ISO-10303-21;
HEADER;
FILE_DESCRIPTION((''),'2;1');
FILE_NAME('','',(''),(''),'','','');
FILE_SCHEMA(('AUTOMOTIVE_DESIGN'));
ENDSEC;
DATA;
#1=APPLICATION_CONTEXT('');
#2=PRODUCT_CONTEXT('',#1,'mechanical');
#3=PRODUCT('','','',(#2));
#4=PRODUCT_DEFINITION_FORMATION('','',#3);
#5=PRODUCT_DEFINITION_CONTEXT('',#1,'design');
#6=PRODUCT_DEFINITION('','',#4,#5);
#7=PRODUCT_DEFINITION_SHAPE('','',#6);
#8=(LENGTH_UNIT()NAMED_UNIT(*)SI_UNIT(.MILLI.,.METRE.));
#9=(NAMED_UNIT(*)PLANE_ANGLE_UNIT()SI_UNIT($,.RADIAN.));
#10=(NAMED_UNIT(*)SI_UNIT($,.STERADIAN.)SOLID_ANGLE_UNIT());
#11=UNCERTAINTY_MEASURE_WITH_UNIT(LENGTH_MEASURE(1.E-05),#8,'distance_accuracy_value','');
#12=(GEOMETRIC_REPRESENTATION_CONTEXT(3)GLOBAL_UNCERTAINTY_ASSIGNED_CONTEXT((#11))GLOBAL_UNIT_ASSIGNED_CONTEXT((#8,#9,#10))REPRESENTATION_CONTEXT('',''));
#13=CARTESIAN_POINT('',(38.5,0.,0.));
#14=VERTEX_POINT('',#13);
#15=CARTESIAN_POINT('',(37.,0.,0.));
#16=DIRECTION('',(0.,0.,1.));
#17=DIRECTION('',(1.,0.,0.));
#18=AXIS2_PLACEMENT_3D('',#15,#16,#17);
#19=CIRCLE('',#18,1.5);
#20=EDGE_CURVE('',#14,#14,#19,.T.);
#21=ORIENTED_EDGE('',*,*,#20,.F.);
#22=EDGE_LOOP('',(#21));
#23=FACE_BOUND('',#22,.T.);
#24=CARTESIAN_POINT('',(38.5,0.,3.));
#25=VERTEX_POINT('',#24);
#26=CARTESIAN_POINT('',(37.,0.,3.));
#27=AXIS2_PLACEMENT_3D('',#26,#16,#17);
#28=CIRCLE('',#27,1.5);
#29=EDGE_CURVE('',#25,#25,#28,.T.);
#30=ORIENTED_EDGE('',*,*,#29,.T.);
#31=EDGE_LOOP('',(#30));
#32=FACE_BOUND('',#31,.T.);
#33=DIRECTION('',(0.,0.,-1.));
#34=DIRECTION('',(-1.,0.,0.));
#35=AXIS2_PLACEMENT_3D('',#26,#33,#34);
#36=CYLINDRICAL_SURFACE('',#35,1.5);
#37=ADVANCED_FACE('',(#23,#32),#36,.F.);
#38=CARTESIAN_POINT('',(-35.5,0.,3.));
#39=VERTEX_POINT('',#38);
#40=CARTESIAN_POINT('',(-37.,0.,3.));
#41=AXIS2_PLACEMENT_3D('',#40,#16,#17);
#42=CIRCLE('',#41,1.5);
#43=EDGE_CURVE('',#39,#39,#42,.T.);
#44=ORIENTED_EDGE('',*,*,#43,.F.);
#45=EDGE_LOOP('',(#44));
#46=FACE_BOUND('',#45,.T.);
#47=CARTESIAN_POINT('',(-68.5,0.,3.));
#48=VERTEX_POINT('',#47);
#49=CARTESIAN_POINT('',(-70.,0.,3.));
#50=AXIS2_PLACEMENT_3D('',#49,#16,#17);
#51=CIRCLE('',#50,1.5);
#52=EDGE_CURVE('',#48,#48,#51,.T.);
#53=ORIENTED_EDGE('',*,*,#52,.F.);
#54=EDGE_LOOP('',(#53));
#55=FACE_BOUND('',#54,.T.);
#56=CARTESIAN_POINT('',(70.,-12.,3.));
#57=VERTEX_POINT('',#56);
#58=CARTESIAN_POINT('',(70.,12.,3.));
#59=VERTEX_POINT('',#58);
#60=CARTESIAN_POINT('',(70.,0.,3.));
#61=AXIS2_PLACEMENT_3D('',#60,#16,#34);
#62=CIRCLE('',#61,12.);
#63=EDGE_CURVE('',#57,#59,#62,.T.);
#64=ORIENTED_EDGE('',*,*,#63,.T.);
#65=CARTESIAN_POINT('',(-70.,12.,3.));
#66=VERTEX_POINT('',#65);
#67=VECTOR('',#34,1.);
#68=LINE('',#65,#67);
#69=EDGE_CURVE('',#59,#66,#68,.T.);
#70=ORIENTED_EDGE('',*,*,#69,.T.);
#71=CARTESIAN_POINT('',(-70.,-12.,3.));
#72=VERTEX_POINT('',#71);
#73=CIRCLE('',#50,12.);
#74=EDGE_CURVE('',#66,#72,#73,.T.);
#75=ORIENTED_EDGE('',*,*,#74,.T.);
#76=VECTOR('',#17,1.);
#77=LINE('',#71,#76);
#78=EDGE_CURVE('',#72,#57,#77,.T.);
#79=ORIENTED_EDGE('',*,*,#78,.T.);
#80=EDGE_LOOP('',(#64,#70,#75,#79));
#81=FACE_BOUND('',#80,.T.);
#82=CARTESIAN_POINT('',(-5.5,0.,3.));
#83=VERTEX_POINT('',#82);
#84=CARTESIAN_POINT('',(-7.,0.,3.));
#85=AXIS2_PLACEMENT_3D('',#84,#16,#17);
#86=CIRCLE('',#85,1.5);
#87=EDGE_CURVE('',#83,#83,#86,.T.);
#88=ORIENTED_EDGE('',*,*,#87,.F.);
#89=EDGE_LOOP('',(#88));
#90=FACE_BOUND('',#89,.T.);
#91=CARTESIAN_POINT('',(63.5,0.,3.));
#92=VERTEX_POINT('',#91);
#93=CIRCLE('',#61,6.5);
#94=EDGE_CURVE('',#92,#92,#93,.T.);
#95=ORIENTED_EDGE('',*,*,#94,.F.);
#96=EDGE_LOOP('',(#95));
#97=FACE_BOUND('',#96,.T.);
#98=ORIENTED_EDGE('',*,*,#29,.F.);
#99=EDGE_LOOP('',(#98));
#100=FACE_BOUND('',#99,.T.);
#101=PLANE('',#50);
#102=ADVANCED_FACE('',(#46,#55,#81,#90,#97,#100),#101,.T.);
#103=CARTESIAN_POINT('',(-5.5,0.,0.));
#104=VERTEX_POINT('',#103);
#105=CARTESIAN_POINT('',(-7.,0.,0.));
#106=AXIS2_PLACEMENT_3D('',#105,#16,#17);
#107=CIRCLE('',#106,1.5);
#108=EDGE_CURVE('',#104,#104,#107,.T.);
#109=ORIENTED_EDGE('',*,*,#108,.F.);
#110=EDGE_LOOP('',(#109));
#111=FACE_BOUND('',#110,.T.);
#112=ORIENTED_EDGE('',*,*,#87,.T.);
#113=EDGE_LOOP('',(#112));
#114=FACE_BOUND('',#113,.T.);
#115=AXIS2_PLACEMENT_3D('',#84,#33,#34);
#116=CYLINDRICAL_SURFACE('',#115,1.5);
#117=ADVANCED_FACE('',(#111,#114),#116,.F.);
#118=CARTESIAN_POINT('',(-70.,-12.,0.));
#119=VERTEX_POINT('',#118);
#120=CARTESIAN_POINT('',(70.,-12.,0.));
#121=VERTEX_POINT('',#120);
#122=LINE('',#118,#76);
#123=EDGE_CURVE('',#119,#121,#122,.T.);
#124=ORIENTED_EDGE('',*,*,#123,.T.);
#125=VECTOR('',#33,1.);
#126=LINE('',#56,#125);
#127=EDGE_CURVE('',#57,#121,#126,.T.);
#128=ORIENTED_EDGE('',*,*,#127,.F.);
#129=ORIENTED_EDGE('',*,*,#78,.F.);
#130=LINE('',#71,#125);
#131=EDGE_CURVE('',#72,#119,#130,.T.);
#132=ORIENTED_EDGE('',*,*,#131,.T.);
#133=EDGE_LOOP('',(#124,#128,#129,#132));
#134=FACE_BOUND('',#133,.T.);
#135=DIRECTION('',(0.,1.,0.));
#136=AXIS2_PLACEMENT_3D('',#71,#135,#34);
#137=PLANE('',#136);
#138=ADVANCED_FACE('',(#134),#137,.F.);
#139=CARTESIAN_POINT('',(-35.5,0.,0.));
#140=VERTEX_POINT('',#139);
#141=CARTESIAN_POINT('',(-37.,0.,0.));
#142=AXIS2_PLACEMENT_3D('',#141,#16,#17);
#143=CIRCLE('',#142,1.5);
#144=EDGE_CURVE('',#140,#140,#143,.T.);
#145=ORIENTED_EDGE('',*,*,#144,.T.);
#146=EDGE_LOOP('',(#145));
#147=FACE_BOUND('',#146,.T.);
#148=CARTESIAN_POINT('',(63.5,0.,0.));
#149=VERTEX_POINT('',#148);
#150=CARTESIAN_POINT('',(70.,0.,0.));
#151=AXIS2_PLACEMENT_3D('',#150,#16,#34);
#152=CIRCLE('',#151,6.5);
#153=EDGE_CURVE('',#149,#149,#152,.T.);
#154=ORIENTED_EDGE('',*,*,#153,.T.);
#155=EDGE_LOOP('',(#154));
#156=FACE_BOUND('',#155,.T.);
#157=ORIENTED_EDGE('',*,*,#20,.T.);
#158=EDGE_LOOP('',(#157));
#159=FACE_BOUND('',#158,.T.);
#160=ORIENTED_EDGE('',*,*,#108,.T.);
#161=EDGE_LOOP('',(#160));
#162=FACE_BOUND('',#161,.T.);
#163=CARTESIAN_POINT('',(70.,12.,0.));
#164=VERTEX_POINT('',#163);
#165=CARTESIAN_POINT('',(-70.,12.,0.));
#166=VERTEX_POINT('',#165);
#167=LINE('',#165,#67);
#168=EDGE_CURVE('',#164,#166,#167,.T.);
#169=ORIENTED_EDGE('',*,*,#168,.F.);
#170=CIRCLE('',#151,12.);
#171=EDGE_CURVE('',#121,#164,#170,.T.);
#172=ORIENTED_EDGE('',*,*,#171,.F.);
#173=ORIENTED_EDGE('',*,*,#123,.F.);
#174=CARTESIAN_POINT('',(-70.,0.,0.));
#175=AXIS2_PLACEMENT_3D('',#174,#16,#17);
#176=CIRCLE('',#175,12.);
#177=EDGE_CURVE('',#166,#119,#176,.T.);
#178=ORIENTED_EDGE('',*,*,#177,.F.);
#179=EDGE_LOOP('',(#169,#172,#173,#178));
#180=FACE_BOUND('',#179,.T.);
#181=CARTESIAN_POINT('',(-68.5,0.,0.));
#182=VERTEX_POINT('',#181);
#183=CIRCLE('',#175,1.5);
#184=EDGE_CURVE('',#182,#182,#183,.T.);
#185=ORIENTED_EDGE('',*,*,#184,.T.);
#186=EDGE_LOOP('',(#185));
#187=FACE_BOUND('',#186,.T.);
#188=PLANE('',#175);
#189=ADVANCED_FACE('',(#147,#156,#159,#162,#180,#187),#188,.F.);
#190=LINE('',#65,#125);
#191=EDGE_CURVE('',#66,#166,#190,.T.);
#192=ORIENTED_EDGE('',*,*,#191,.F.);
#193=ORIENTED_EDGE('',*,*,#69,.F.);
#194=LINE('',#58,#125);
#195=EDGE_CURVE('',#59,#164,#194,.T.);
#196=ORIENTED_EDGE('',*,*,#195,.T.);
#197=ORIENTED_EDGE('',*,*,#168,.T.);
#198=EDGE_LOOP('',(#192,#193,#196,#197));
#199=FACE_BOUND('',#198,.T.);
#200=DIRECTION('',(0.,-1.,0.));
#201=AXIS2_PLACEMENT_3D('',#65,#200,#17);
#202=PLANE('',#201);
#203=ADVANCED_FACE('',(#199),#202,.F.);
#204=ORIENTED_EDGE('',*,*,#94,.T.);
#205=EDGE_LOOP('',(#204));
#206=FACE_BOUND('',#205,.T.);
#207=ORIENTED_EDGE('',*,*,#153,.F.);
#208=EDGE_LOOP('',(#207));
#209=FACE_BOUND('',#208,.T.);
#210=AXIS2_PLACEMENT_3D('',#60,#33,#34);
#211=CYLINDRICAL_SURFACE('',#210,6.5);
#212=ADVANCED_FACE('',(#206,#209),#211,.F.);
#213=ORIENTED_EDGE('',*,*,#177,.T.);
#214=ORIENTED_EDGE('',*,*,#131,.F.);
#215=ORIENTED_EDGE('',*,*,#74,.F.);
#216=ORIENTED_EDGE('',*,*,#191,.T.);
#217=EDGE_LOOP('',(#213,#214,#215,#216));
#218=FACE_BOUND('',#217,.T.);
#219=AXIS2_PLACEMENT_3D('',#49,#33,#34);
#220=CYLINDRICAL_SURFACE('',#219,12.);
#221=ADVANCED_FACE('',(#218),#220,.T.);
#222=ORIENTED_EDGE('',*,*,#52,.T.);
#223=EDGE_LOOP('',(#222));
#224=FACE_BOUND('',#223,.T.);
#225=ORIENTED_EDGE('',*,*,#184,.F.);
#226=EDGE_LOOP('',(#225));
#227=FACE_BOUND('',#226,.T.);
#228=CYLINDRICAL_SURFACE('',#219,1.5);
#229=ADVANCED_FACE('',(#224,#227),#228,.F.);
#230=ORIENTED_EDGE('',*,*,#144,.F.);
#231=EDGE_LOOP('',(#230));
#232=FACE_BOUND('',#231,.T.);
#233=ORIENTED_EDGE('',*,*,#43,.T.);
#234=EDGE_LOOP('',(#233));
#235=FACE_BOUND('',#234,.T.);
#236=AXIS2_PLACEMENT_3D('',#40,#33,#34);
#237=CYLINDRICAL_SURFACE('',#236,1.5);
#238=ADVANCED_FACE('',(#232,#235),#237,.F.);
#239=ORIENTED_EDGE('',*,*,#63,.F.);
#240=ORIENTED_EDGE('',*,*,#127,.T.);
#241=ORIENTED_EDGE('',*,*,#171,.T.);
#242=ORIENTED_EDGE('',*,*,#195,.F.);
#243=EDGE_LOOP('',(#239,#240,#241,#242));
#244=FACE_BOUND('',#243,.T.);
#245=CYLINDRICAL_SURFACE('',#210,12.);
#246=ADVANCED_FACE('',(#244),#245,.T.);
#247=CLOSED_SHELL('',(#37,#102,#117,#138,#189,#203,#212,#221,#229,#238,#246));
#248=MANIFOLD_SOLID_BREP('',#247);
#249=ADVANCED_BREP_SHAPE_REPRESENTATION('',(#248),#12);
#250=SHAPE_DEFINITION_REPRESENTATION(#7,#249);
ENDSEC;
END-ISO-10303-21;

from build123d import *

# Parameters (mm, degrees)
ESQUISSE1_R        = 1.5
ESQUISSE1_R_2      = 6.5
BOSS_EXTRU_1_DEPTH = 3


with BuildPart() as part:
    # Esquisse1 → Boss.-Extru.1 (new body)
    with BuildSketch(Plane.XY):
        with BuildLine():
            Line((-70, 12), (70, 12))
            ThreePointArc((70, 12), (82, 0), (70, -12))
            Line((70, -12), (-70, -12))
            ThreePointArc((-70, -12), (-82, 0), (-70, 12))
        make_face()
        with Locations((-7, 0)):
            Circle(ESQUISSE1_R, mode=Mode.SUBTRACT)
        with Locations((-70, 0)):
            Circle(ESQUISSE1_R, mode=Mode.SUBTRACT)
        with Locations(Location((70, 0, 0), (0, 0, 180))):
            Circle(ESQUISSE1_R_2, mode=Mode.SUBTRACT)
        with Locations((-37, 0)):
            Circle(ESQUISSE1_R, mode=Mode.SUBTRACT)
        with Locations((37, 0)):
            Circle(ESQUISSE1_R, mode=Mode.SUBTRACT)
    extrude(amount=BOSS_EXTRU_1_DEPTH)


solid = part.part
